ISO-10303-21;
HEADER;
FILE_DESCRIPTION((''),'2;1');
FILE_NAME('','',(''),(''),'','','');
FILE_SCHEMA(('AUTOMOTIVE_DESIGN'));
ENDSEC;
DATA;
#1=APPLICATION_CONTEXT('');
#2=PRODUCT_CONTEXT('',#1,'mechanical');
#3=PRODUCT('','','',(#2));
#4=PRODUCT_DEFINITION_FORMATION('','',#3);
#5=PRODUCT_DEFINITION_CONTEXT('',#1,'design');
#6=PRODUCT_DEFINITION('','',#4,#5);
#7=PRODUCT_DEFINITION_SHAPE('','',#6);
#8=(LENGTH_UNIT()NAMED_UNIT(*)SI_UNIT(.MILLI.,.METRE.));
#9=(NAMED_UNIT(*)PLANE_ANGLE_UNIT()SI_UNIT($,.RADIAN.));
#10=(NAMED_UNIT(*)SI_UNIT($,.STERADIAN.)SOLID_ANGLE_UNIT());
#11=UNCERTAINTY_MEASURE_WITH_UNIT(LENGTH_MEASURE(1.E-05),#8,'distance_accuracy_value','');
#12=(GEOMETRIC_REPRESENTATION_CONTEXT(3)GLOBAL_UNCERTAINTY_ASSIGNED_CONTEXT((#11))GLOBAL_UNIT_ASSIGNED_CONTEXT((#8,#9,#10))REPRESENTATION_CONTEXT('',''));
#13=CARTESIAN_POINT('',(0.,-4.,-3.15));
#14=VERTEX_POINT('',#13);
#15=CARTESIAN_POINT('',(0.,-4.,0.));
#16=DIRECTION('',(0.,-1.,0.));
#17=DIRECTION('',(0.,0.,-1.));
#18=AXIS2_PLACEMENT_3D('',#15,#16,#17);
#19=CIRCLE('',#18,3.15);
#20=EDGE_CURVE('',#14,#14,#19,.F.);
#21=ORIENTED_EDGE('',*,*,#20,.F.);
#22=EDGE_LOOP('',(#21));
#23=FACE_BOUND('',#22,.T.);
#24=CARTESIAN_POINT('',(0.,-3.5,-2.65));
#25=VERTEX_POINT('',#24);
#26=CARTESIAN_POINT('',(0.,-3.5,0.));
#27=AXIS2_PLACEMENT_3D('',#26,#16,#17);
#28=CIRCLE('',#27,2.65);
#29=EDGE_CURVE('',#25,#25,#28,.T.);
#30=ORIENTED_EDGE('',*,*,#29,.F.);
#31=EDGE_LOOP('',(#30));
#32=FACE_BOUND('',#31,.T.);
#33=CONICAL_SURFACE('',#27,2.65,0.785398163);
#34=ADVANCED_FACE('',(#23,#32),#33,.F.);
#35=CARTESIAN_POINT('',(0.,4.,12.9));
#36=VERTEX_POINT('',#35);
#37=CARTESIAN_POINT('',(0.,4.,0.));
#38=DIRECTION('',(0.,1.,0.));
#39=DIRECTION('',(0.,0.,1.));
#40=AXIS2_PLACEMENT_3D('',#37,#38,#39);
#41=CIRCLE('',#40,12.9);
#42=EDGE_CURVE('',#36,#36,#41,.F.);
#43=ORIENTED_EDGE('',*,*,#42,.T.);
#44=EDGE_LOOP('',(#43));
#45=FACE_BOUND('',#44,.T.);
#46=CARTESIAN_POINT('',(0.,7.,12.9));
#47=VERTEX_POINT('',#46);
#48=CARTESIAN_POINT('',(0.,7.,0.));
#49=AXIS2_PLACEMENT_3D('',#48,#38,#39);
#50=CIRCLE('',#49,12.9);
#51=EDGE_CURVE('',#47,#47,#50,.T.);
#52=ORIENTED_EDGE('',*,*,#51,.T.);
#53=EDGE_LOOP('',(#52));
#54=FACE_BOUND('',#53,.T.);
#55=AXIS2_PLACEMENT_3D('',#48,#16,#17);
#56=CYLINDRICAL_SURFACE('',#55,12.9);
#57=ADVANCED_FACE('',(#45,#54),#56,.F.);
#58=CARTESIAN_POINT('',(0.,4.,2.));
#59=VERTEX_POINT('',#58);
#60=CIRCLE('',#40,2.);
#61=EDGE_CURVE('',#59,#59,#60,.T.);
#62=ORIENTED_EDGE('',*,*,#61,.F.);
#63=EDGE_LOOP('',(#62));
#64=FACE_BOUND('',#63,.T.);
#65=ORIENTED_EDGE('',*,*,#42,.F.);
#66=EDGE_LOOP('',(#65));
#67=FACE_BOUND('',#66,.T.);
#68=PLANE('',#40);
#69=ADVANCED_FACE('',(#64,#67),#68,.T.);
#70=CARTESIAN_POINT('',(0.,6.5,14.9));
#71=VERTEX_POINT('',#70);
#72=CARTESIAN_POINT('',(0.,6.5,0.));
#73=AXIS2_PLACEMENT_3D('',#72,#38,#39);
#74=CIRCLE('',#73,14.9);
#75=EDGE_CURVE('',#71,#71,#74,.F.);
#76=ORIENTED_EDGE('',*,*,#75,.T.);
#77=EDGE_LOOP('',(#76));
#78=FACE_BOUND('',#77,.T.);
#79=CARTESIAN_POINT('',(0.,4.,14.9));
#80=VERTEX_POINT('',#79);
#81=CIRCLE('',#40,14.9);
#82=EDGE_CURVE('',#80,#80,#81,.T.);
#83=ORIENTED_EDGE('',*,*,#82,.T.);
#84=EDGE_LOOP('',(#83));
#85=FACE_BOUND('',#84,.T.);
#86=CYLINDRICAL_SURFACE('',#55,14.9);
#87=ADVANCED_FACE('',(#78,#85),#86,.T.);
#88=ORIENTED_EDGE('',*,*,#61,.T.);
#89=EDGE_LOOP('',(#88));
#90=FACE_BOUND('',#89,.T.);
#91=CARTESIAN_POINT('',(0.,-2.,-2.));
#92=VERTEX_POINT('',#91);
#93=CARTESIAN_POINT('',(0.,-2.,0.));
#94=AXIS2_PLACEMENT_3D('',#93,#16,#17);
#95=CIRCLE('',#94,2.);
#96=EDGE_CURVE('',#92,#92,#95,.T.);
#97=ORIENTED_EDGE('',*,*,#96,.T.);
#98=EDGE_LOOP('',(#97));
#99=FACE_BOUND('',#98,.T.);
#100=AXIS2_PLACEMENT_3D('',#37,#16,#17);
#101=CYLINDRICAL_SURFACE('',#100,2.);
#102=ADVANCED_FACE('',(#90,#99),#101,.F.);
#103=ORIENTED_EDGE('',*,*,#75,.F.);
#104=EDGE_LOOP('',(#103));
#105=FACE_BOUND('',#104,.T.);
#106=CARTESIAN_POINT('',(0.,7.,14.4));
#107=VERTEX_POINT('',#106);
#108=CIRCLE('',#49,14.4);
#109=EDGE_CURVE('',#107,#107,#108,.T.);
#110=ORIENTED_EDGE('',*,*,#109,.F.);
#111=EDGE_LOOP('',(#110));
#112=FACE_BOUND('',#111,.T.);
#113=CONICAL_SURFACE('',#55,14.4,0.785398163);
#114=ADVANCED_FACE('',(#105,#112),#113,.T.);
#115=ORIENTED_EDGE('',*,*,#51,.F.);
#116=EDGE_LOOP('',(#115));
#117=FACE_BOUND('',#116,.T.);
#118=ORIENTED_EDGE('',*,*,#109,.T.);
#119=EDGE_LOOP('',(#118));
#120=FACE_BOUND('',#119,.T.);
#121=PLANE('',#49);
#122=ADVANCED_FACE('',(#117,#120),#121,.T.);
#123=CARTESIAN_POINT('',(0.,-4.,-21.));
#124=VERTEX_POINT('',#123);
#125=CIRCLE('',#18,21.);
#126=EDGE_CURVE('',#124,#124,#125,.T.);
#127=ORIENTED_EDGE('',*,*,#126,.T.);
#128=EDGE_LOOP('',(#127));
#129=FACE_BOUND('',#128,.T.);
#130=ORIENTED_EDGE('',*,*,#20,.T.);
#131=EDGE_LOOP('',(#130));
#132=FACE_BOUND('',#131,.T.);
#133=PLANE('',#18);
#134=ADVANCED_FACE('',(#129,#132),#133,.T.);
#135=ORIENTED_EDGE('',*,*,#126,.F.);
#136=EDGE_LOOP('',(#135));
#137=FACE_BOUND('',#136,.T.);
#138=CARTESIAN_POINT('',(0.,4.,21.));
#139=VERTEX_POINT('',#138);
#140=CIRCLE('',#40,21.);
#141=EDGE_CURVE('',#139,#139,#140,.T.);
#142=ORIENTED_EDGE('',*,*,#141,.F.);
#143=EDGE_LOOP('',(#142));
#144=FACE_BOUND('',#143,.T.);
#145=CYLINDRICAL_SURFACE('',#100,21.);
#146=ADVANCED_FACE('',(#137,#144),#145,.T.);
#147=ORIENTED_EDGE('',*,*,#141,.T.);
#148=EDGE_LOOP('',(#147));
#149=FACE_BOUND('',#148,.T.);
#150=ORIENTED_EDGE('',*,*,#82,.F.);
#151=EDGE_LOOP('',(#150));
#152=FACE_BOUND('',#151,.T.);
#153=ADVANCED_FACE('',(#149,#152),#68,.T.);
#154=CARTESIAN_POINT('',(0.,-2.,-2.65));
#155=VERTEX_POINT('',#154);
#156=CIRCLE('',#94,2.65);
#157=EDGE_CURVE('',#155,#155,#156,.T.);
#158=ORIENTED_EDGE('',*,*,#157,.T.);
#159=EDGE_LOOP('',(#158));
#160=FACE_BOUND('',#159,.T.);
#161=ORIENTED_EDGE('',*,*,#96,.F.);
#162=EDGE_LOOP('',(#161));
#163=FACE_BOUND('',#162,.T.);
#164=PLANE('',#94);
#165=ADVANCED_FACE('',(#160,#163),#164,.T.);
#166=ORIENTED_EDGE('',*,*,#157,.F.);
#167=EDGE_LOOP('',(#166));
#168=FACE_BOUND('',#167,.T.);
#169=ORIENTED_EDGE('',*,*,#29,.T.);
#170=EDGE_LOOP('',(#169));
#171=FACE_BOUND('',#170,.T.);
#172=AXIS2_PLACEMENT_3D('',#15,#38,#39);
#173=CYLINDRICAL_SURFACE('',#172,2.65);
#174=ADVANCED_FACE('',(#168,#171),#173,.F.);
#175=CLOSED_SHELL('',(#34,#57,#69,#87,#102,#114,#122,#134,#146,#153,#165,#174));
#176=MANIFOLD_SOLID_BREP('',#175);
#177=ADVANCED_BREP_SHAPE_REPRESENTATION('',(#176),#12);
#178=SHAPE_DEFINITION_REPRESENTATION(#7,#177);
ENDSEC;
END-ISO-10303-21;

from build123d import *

# Parameters (mm, degrees)
SKETCH1_R           = 21
SKETCH1_R_2         = 2
BOSS_EXTRUDE1_DEPTH = 4
SKETCH2_R           = 14.9
SKETCH2_R_2         = 12.9
BOSS_EXTRUDE2_DEPTH = 3
CHAMFER1_SIZE       = 0.5
BOSS_EXTRUDE3_START = 4
SKETCH3_R           = 21
SKETCH3_R_2         = 2.65
BOSS_EXTRUDE3_DEPTH = 4
BOSS_EXTRUDE4_START = 2
SKETCH4_R           = 2.65
SKETCH4_R_2         = 2
BOSS_EXTRUDE4_DEPTH = 2
CHAMFER2_SIZE       = 0.5


with BuildPart() as part:
    # Sketch1 → Boss-Extrude1 (new body)
    with BuildSketch(Plane(origin=(0, 0, 0), x_dir=(1, 0, 0), z_dir=(0, 1, 0))):
        with Locations(Location((0, 0, 0), (0, 0, 270))):
            Circle(SKETCH1_R)
        with Locations(Location((0, 0, 0), (0, 0, 270))):
            Circle(SKETCH1_R_2, mode=Mode.SUBTRACT)
    extrude(amount=BOSS_EXTRUDE1_DEPTH)

    # Sketch2 → Boss-Extrude2 (add)
    with BuildSketch(Plane(origin=(0, 4, 0), x_dir=(1, 0, 0), z_dir=(0, 1, 0))):
        with Locations(Location((0, 0, 0), (0, 0, 270))):
            Circle(SKETCH2_R)
        with Locations(Location((0, 0, 0), (0, 0, 270))):
            Circle(SKETCH2_R_2, mode=Mode.SUBTRACT)
    extrude(amount=BOSS_EXTRUDE2_DEPTH)

    # Chamfer1
    chamfer1_edges = [part.edges().sort_by_distance(p)[0] for p in [
        (0, 7, -14.9),
    ]]
    chamfer(chamfer1_edges, length=CHAMFER1_SIZE)

    # Sketch3 → Boss-Extrude3 (add)
    with BuildSketch(Plane.XZ.offset(BOSS_EXTRUDE3_START)):
        with Locations(Location((0, 0, 0), (0, 0, 270))):
            Circle(SKETCH3_R)
        with Locations(Location((0, 0, 0), (0, 0, 270))):
            Circle(SKETCH3_R_2, mode=Mode.SUBTRACT)
    extrude(amount=-BOSS_EXTRUDE3_DEPTH)

    # Sketch4 → Boss-Extrude4 (add)
    with BuildSketch(Plane.XZ.offset(BOSS_EXTRUDE4_START)):
        with Locations(Location((0, 0, 0), (0, 0, 270))):
            Circle(SKETCH4_R)
        with Locations(Location((0, 0, 0), (0, 0, 270))):
            Circle(SKETCH4_R_2, mode=Mode.SUBTRACT)
    extrude(amount=-BOSS_EXTRUDE4_DEPTH)

    # Chamfer2
    chamfer2_edges = [part.edges().sort_by_distance(p)[0] for p in [
        (0, -4, 2.65),
    ]]
    chamfer(chamfer2_edges, length=CHAMFER2_SIZE)


solid = part.part
